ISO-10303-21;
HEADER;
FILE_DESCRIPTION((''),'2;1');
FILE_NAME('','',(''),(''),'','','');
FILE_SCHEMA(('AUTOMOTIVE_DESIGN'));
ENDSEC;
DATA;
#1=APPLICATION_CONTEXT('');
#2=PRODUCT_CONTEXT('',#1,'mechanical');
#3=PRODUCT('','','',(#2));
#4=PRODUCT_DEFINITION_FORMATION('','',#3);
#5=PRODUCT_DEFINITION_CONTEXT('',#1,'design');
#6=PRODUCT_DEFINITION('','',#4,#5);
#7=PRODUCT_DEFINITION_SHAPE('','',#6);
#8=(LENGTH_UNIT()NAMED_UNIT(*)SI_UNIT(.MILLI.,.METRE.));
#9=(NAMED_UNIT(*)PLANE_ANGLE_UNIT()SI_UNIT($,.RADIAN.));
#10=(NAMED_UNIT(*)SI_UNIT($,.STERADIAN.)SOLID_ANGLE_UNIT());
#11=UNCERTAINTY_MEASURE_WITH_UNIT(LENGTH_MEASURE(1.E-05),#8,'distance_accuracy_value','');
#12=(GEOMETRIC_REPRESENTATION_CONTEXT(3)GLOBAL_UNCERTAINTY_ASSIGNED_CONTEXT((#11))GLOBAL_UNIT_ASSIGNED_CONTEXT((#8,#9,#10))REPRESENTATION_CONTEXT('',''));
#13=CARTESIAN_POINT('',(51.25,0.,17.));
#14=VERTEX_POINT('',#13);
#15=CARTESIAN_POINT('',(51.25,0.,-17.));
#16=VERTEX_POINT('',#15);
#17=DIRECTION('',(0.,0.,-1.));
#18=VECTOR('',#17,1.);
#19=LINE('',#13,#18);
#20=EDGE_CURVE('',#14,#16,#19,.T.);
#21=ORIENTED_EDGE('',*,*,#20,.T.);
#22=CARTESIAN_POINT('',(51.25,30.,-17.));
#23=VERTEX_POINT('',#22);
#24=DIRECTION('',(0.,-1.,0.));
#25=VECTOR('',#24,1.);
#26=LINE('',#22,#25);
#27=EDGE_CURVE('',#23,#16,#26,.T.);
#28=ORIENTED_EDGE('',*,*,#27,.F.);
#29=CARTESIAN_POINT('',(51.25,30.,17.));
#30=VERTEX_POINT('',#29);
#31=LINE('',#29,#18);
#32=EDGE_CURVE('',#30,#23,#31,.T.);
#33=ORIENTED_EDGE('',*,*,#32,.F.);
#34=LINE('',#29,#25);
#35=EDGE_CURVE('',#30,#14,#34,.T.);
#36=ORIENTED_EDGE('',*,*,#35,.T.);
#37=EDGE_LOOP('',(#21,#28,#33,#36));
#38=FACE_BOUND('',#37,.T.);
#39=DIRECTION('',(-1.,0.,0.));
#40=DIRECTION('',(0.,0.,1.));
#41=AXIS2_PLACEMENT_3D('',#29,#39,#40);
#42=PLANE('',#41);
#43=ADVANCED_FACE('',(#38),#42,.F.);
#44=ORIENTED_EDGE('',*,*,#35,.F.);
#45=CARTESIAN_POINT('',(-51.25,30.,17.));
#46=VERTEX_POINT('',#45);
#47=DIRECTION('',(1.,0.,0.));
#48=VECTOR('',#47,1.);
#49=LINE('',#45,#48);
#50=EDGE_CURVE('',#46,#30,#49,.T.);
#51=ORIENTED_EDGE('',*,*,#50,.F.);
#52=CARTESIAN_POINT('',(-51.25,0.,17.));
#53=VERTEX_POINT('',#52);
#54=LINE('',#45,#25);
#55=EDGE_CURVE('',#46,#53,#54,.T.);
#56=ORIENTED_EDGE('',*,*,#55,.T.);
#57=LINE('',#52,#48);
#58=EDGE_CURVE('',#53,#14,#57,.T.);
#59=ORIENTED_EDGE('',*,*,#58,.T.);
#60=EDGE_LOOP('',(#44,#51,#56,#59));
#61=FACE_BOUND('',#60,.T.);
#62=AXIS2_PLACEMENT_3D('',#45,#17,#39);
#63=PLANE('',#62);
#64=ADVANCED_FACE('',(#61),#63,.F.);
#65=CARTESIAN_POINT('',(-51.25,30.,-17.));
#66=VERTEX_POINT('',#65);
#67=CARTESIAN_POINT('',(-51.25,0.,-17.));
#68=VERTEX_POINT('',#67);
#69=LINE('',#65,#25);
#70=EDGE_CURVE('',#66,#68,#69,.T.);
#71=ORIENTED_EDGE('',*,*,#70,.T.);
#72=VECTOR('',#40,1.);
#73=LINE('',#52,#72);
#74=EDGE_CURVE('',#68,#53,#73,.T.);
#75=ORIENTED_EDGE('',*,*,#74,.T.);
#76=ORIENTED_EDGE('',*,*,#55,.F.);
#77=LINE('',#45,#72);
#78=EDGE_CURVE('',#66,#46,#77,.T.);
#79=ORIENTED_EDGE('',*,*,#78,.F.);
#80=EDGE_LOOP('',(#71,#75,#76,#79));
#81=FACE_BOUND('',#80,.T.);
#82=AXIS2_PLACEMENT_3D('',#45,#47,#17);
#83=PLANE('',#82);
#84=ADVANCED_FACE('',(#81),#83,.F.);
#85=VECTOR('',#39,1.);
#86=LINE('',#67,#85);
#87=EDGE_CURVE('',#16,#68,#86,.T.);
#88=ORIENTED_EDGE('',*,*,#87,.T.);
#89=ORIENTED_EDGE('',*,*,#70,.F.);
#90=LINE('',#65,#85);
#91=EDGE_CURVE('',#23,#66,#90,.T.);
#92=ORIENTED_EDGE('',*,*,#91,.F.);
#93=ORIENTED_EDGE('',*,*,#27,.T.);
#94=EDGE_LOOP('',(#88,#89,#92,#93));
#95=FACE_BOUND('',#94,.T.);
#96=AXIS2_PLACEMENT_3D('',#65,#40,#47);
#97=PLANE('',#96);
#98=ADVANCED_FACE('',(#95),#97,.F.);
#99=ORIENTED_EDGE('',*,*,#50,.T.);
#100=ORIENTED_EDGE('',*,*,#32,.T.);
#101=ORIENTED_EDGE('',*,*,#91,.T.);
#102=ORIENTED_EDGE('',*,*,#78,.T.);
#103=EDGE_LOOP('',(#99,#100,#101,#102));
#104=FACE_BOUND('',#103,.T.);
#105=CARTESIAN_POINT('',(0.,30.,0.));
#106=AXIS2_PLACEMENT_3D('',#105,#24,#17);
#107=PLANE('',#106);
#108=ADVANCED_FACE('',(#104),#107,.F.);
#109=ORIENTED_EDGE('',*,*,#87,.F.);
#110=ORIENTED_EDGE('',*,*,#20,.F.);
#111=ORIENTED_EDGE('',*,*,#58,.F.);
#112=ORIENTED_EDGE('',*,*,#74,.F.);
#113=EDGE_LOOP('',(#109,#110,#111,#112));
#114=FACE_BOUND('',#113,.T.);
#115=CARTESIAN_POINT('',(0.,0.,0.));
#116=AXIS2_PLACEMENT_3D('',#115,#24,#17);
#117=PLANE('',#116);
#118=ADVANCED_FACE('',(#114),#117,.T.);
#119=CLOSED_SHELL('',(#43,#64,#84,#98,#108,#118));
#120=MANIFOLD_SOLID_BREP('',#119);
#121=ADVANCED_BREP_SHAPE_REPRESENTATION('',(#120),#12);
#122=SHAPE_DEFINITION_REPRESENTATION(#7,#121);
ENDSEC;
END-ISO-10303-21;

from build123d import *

# Parameters (mm, degrees)
SKETCH_1_W      = 102.5
SKETCH_1_H      = 34
EXTRUDE_1_DEPTH = 30


with BuildPart() as part:
    # 草图1 → 凸台-拉伸1 (new body)
    with BuildSketch(Plane(origin=(0, 0, 0), x_dir=(1, 0, 0), z_dir=(0, 1, 0))):
        Rectangle(SKETCH_1_W, SKETCH_1_H)
    extrude(amount=EXTRUDE_1_DEPTH)


solid = part.part
